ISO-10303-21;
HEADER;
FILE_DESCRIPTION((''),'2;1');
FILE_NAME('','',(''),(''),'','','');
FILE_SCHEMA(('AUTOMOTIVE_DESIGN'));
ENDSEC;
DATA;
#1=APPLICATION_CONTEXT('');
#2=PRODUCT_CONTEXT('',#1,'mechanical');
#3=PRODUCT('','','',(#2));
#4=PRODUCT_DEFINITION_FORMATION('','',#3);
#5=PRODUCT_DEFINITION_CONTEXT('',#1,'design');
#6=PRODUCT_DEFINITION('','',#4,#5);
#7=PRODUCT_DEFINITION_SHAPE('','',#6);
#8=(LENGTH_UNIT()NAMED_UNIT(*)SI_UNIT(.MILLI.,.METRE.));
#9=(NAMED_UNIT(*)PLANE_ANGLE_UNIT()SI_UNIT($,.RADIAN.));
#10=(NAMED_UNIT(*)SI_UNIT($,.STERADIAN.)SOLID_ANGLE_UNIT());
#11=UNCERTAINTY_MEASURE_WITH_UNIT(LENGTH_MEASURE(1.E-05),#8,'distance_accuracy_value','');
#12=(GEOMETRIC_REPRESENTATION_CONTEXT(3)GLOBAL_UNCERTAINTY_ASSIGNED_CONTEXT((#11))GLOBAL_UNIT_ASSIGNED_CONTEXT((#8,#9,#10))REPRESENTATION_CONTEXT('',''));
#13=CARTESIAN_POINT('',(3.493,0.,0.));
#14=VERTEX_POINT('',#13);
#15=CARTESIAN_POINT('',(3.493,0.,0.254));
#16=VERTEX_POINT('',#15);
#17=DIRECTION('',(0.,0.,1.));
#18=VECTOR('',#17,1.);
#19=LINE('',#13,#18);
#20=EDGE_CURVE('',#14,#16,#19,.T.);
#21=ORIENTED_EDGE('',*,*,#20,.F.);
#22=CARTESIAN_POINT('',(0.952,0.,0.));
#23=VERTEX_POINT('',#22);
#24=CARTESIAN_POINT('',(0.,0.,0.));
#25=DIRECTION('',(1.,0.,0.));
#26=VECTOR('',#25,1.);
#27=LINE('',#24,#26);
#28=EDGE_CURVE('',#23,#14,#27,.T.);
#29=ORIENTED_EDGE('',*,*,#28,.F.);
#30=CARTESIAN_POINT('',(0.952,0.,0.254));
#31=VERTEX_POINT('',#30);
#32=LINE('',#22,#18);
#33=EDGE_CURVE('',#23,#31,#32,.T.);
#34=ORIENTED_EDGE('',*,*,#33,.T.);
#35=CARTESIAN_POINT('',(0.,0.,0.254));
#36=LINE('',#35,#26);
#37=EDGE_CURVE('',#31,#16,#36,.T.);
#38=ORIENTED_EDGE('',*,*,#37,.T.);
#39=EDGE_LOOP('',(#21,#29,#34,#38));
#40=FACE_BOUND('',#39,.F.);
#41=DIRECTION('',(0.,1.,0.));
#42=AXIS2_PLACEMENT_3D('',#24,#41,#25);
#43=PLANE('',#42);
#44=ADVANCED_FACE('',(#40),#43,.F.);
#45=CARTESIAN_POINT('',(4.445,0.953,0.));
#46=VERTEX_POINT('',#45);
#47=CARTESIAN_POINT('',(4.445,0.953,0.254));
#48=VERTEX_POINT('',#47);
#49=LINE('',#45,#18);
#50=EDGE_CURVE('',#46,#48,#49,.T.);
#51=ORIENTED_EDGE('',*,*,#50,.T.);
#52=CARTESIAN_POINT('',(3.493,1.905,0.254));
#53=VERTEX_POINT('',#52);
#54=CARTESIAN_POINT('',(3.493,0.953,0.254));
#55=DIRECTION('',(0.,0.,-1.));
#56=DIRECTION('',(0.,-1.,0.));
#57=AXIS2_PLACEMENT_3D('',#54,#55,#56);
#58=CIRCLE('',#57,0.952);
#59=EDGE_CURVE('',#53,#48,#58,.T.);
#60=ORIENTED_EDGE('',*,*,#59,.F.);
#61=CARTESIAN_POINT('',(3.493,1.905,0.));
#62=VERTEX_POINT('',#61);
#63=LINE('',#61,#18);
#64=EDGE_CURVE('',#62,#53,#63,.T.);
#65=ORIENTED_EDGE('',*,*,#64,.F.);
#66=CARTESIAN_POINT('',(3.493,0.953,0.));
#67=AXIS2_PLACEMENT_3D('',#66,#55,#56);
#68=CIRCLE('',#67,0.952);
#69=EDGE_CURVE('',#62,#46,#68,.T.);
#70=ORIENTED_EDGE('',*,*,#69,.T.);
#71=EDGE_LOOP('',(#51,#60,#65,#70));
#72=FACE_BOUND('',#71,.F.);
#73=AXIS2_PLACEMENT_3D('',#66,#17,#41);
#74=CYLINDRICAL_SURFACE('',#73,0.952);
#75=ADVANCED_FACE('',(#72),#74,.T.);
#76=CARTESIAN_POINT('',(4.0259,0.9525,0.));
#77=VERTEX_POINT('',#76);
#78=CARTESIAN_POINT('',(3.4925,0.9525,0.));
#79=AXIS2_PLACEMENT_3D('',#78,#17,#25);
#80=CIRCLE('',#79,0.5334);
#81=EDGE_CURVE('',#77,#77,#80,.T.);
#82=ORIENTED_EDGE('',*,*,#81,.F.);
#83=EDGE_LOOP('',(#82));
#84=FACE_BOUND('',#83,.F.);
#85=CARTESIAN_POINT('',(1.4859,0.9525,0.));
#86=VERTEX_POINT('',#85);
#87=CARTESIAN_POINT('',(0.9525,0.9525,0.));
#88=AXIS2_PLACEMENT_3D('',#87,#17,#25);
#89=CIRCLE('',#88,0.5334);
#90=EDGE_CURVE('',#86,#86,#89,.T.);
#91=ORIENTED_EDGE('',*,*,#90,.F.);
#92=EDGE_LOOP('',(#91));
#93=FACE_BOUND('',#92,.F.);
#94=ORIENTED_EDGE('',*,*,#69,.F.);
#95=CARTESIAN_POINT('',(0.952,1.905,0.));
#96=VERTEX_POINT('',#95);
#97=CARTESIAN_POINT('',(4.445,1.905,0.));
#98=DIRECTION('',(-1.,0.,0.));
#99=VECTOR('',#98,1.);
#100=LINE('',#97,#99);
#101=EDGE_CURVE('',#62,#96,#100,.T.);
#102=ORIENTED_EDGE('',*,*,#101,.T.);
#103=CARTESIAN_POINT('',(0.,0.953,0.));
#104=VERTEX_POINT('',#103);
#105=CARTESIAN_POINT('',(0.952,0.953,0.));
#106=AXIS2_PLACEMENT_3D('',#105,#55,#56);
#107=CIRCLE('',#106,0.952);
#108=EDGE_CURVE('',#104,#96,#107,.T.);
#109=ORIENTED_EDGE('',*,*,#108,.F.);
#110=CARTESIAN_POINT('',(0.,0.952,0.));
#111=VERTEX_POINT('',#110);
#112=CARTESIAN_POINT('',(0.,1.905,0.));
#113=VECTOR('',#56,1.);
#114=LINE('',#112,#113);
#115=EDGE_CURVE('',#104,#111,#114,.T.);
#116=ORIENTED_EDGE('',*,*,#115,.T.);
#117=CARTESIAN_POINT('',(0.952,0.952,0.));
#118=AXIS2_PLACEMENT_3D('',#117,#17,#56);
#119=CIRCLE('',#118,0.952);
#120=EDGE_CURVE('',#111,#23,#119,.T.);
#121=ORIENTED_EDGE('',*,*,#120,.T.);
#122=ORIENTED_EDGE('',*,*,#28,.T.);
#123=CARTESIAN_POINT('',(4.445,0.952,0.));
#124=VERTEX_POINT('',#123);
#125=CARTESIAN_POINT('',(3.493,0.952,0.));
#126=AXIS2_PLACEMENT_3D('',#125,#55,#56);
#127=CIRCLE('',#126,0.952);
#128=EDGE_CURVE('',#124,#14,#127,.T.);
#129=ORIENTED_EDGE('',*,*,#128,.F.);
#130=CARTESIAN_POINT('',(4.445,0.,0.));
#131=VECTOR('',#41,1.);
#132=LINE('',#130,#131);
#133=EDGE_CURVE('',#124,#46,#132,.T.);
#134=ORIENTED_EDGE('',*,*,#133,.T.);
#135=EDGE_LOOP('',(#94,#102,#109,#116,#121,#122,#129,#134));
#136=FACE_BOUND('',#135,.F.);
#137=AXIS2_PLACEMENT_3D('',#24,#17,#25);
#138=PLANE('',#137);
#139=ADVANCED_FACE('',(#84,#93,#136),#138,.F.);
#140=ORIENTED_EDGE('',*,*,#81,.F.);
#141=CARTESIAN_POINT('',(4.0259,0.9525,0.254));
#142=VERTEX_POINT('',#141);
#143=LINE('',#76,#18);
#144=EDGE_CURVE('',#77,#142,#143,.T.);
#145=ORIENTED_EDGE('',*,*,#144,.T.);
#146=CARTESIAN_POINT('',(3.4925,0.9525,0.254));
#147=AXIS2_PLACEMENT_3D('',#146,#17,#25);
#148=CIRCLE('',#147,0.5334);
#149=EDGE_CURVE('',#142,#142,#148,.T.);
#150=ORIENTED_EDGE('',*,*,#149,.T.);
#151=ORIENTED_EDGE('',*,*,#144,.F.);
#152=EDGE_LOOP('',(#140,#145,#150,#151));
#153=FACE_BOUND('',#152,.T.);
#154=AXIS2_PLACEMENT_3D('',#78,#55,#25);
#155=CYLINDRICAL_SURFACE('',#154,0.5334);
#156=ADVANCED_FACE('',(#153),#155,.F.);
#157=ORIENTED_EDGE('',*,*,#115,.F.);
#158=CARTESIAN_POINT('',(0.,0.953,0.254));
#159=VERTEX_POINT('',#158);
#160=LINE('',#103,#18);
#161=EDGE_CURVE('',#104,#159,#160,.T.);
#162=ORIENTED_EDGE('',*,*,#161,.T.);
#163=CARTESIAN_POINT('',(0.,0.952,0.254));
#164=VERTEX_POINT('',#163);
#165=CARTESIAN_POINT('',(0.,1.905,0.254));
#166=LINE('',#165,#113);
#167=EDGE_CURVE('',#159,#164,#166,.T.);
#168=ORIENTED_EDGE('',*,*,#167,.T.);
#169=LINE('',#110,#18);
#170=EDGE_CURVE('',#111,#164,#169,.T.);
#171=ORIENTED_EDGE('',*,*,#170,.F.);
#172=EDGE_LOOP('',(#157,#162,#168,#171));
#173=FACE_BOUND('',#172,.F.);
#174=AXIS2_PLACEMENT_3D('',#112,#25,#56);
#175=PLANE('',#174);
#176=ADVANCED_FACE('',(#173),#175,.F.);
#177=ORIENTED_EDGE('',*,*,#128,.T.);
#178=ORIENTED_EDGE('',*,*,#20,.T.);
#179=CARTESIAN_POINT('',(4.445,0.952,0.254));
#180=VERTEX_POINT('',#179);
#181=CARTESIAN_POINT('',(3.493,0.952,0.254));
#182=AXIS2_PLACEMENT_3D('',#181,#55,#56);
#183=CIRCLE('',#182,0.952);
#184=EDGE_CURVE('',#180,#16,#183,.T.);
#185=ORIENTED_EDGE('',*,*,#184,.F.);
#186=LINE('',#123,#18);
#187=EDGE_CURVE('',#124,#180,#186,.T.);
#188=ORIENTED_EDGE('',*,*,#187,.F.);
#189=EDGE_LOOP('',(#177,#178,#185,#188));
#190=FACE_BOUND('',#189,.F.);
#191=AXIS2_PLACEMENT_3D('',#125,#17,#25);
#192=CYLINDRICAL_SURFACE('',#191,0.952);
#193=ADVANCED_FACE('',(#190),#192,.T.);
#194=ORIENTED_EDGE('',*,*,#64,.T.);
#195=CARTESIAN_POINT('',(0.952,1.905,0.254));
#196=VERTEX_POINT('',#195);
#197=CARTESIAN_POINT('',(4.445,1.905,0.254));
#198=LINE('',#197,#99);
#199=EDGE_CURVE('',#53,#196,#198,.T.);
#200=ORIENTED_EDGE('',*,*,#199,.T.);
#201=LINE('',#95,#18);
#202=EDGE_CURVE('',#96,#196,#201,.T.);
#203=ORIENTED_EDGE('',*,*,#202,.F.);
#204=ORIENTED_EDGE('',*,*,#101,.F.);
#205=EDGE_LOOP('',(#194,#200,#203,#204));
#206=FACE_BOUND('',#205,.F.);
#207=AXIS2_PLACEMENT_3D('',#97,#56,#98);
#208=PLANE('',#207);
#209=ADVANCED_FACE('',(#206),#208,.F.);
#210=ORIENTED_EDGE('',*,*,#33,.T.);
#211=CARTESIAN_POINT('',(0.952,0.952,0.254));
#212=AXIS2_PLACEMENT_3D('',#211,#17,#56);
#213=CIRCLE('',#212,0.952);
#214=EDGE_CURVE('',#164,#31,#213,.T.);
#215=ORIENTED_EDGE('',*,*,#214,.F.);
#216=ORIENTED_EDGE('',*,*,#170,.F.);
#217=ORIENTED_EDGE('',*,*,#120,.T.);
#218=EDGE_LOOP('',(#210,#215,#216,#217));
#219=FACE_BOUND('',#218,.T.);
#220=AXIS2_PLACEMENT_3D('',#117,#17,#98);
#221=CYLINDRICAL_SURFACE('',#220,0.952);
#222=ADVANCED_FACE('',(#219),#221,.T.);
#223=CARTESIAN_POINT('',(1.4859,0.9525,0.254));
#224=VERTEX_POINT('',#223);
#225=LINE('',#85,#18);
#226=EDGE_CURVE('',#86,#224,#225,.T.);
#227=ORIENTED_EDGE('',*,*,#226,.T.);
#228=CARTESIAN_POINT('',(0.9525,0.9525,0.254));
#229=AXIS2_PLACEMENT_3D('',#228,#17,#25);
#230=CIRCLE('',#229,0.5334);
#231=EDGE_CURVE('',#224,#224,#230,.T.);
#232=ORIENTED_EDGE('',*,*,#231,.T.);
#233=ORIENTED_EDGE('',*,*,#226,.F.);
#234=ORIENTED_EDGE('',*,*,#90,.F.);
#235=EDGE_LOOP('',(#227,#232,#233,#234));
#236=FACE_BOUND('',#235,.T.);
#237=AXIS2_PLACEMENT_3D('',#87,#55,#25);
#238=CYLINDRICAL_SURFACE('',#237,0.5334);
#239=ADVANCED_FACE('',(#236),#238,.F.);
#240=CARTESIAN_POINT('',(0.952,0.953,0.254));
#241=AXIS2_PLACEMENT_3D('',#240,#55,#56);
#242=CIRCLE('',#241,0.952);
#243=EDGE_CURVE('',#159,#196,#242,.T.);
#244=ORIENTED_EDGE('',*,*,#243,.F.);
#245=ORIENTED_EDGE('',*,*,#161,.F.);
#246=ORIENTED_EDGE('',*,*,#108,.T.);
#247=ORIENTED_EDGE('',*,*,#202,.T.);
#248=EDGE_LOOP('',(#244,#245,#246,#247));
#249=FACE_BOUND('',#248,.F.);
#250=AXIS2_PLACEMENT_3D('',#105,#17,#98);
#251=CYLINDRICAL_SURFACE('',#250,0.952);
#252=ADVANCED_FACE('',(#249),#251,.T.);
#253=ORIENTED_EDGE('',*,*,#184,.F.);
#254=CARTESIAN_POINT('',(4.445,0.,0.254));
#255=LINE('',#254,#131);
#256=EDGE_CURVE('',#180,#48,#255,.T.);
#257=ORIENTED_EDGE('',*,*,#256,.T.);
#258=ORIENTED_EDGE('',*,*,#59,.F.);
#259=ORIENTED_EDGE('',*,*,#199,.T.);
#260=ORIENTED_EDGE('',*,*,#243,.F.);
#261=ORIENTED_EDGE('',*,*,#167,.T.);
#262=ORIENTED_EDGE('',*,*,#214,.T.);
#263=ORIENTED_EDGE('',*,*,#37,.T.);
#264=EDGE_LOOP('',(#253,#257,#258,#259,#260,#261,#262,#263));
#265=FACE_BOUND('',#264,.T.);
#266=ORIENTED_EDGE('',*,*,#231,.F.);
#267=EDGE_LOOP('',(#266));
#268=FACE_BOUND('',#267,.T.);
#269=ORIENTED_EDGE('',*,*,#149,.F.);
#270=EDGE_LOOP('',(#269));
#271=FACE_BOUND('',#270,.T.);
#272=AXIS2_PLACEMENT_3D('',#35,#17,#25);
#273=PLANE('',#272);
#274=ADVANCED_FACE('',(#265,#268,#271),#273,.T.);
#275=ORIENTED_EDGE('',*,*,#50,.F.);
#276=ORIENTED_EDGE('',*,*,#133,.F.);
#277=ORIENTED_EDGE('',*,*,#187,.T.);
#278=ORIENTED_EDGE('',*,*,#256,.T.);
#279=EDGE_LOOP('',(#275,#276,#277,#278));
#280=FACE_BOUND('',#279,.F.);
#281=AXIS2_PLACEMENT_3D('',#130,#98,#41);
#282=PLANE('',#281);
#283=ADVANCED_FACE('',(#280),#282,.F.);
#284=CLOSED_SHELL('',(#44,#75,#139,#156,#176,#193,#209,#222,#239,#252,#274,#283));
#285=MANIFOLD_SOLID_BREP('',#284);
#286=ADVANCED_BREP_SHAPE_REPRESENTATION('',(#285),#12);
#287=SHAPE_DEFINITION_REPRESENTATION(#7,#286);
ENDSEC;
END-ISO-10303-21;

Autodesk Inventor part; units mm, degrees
ref_plane "YZ Plane" through (0, 0, 0) normal (1, 0, 0) x (0, 1, 0)
ref_plane "XZ Plane" through (0, 0, 0) normal (0, 1, 0) x (-1, 0, 0)
ref_plane "XY Plane" through (0, 0, 0) normal (0, 0, 1) x (1, 0, 0)
sketch "Sketch1" plane through (0, 0, 0) normal (0, 0, 1) x (1, 0, 0)
  line L0 (0, 0) -> (4.445, 0)
  line L1 (4.445, 0) -> (4.445, 1.905)
  line L2 (4.445, 1.905) -> (0, 1.905)
  line L3 (0, 1.905) -> (0, 0)
  circle A0 centre (0.9525, 0.9525) radius 0.5334
  circle A1 centre (3.4925, 0.9525) radius 0.5334
  dimension "d0" = 4.445
  dimension "d1" = 1.905
  dimension "d2" = 1.0668
  dimension "d3" = 0.9525
  dimension "d4" = 1.0668
  dimension "d5" = 2.54
  dimension "d6" = 0.9525
extrude "Extrusion1" add sketch "Sketch1" along normal blind 0.254
fillet "Fillet1" radius 0.9525 4 edges at (4.445, 1.905, 0.127) (4.445, 0, 0.127) (0, 1.905, 0.127) (0, 0, 0.127)
properties part number "Solder Joint"
